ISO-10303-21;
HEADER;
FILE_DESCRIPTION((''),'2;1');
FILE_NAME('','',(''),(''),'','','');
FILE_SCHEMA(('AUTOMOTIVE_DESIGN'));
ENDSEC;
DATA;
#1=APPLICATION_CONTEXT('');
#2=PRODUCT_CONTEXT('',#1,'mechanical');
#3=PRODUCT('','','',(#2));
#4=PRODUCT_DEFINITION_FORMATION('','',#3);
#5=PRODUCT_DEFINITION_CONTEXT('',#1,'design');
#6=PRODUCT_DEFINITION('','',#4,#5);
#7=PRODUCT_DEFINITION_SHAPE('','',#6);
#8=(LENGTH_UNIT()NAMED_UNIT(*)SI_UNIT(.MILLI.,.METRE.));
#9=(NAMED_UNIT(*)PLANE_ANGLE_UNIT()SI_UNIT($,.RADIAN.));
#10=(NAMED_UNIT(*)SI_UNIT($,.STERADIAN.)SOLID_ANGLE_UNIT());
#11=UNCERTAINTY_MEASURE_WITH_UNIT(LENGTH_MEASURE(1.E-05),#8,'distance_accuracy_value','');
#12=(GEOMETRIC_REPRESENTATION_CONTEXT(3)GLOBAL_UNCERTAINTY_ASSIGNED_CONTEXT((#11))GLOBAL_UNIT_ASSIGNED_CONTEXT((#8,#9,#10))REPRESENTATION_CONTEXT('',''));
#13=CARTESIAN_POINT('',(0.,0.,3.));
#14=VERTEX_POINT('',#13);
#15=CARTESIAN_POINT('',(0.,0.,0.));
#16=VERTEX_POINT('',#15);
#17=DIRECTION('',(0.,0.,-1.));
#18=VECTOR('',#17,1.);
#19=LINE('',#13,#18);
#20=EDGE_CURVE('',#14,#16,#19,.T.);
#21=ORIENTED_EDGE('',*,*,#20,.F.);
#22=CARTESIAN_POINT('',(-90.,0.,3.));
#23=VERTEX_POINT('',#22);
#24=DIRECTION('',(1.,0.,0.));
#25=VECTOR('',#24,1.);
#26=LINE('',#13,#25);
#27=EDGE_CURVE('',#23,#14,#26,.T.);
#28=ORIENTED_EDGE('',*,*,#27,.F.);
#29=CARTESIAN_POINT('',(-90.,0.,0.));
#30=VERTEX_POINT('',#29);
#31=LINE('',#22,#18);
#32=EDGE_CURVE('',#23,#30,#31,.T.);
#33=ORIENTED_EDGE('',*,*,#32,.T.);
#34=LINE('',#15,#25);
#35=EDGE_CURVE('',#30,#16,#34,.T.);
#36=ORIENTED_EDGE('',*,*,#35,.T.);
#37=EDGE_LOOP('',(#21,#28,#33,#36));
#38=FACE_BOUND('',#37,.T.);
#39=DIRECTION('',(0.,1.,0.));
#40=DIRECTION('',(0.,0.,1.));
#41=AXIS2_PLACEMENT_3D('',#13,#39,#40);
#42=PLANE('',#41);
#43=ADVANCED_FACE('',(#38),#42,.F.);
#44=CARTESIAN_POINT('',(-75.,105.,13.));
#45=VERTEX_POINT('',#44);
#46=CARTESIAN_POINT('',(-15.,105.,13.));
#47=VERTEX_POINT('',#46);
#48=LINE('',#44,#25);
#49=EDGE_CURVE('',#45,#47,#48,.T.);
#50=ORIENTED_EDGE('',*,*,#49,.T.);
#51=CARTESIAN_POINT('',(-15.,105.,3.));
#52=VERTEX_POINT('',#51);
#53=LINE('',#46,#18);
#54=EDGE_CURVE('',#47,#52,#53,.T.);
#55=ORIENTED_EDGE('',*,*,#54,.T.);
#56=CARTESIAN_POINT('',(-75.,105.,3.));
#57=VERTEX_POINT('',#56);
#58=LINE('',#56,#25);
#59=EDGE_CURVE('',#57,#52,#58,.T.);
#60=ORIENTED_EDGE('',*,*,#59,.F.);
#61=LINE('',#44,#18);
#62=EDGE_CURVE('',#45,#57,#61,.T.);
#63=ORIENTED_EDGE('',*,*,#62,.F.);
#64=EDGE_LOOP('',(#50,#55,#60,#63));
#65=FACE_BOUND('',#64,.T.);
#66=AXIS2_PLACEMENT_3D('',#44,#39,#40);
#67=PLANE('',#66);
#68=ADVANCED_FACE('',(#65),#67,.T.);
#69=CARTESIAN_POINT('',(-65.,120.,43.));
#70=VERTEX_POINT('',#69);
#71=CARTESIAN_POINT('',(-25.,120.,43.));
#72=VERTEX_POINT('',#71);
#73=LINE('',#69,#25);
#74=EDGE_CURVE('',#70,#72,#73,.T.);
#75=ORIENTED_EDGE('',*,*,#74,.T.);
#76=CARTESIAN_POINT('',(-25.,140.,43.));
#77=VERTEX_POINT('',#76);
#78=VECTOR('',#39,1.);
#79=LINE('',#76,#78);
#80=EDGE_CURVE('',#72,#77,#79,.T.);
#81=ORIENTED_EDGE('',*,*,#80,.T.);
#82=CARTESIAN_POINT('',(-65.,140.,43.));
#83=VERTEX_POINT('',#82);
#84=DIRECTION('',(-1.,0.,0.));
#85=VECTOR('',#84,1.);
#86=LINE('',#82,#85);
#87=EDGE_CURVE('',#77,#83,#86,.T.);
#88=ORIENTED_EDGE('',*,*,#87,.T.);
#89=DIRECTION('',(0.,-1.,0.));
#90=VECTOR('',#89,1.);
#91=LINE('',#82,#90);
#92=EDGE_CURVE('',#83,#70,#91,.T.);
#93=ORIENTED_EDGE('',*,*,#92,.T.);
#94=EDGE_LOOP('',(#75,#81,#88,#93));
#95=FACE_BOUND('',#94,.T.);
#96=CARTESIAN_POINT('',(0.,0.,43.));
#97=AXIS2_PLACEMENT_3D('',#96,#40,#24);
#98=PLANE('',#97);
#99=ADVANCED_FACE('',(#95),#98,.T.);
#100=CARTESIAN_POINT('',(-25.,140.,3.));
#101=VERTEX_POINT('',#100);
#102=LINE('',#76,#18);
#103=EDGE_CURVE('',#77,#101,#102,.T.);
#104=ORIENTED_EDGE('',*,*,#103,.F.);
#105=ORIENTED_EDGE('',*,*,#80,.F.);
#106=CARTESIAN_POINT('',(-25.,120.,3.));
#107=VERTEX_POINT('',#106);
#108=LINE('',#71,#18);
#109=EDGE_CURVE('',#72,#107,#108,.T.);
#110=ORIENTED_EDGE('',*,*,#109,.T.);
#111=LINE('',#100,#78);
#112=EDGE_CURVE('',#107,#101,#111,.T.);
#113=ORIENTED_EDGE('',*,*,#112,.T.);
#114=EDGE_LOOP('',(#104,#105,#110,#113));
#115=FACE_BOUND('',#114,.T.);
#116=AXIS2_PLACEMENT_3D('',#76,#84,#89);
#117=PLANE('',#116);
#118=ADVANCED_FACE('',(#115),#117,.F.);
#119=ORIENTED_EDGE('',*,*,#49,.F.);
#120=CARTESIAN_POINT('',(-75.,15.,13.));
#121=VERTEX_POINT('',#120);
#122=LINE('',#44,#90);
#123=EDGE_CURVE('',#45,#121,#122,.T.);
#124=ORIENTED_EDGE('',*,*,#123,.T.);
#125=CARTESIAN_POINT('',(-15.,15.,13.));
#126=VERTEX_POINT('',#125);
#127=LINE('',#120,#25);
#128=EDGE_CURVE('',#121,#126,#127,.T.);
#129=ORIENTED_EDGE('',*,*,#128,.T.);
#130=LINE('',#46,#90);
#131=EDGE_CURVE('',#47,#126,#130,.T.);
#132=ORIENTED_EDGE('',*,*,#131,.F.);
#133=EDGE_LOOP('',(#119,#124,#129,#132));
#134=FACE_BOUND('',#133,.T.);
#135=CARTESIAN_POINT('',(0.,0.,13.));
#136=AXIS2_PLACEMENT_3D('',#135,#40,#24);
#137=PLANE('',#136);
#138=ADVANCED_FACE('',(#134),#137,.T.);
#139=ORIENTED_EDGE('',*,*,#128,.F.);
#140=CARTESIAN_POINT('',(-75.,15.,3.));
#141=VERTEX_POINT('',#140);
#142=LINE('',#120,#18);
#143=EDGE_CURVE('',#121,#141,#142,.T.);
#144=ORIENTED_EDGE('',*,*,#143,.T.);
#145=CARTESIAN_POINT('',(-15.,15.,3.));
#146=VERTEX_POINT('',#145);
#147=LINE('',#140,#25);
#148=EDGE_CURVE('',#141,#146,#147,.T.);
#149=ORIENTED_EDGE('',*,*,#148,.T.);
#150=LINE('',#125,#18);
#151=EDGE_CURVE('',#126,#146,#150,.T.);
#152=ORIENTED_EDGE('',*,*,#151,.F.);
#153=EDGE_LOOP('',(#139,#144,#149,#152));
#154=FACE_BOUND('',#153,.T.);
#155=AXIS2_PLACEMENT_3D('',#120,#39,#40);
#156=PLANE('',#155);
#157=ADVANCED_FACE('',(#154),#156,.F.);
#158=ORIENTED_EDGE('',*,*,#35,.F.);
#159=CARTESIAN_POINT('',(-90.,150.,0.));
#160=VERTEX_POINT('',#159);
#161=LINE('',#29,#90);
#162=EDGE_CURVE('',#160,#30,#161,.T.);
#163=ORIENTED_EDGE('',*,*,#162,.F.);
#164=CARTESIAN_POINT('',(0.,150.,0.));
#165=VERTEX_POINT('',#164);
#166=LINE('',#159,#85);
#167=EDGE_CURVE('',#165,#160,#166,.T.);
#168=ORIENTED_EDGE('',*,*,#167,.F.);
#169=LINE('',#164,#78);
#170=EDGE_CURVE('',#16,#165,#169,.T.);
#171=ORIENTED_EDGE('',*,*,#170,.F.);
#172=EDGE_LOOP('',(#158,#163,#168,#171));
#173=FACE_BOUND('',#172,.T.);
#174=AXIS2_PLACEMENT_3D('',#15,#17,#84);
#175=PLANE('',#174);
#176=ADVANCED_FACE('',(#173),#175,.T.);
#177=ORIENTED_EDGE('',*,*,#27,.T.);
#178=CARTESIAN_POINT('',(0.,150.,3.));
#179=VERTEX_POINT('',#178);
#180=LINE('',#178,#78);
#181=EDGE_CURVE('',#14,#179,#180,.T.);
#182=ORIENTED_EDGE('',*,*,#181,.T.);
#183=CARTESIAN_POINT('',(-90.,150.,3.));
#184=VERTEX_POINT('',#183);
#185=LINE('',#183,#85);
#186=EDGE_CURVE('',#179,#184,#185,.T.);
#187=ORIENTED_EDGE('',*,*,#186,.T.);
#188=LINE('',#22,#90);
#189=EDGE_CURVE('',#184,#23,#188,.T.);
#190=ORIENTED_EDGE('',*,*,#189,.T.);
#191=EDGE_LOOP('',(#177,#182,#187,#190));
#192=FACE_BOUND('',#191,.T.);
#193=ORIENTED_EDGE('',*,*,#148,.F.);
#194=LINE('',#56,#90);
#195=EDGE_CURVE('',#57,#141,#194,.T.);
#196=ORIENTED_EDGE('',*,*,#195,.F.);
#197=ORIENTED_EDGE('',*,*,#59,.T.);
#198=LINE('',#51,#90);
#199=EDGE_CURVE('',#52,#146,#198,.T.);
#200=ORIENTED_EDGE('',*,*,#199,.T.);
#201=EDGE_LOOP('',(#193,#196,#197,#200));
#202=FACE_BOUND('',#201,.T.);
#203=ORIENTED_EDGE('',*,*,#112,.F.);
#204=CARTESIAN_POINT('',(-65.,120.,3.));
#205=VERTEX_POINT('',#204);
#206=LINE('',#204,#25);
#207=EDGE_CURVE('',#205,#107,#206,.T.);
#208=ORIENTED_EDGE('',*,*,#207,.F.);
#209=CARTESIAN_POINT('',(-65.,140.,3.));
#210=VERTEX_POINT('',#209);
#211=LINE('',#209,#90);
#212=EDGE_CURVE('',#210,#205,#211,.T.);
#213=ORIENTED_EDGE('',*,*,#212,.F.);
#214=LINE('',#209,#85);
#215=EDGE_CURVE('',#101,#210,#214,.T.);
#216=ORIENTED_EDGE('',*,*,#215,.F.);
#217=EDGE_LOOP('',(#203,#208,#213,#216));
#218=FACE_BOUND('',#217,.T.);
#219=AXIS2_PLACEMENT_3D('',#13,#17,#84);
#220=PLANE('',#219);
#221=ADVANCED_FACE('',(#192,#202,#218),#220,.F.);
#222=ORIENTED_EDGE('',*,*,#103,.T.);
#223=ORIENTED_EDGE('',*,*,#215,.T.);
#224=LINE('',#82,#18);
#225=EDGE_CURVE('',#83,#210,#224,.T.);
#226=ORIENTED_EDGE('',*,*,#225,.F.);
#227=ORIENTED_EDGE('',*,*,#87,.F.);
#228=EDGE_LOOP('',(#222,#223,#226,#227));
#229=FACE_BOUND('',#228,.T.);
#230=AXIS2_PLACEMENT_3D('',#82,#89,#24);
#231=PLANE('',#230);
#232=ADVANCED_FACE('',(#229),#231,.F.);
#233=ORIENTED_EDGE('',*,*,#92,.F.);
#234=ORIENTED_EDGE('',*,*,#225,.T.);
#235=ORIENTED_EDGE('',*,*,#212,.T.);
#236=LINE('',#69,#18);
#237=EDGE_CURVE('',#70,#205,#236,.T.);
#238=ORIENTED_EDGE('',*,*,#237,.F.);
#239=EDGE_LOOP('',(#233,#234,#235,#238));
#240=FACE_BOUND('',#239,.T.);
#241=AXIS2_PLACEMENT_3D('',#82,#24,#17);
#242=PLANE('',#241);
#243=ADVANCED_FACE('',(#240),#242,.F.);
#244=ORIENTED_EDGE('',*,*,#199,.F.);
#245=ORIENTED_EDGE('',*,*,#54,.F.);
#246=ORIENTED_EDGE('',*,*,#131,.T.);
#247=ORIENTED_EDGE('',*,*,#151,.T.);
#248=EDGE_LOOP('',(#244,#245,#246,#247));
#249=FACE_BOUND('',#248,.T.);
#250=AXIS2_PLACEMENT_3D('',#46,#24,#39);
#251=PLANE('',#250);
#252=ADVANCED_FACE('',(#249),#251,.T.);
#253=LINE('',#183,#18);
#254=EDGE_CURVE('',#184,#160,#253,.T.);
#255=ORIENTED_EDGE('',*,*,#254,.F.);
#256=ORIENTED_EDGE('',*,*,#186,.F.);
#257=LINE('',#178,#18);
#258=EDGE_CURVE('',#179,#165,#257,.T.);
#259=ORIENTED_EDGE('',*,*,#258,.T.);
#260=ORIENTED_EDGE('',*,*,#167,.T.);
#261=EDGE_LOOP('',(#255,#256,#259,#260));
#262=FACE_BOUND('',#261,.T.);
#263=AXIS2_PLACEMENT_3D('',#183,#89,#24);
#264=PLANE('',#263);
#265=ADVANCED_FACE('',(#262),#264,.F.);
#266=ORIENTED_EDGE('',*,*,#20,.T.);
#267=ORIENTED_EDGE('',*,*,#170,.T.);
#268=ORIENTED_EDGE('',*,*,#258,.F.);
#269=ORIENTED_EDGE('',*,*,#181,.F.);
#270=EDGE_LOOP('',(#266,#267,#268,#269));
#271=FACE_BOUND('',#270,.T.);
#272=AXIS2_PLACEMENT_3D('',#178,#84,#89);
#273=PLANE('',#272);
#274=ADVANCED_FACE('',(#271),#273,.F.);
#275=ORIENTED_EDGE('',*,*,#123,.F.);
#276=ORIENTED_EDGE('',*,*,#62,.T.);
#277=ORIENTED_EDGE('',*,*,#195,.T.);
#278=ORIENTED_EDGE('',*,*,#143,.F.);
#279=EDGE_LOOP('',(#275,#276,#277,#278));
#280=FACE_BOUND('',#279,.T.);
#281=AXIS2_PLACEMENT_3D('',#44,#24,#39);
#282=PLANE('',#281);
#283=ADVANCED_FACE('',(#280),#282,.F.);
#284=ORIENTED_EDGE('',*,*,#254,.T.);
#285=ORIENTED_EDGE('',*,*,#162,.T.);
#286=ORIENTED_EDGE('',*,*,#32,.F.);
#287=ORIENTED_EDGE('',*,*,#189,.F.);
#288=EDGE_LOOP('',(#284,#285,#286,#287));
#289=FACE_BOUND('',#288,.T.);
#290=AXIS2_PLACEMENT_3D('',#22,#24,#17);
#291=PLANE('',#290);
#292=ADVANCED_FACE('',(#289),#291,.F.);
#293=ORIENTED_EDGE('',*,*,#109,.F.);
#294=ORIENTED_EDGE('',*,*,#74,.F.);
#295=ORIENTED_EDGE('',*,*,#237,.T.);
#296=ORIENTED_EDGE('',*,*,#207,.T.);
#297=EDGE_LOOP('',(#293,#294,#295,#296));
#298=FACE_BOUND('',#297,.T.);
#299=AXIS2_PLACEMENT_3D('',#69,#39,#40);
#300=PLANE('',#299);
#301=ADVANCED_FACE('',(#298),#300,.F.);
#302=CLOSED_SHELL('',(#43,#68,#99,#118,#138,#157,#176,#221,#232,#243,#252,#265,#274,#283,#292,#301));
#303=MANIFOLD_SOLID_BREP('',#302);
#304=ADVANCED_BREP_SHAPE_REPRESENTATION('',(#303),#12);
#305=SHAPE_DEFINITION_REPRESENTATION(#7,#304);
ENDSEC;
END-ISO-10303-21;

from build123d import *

# Parameters (mm, degrees)
SKETCH2_W           = 150
SKETCH2_H           = 90
BOSS_EXTRUDE1_DEPTH = 3
SKETCH3_W           = 60
SKETCH3_H           = 90
BOSS_EXTRUDE2_DEPTH = 10
SKETCH4_W           = 40
SKETCH4_H           = 20
BOSS_EXTRUDE3_DEPTH = 40


with BuildPart() as part:
    # Sketch2 → Boss-Extrude1 (new body)
    with BuildSketch(Plane(origin=(0, 0, 0), x_dir=(0, 1, 0), z_dir=(0, 0, 1))):
        with Locations((75, 45)):
            Rectangle(SKETCH2_W, SKETCH2_H)
    extrude(amount=BOSS_EXTRUDE1_DEPTH)

    # Sketch3 → Boss-Extrude2 (add)
    with BuildSketch(Plane.XY.offset(3)):
        with Locations((-45, 60)):
            Rectangle(SKETCH3_W, SKETCH3_H)
    extrude(amount=BOSS_EXTRUDE2_DEPTH)

    # Sketch4 → Boss-Extrude3 (add)
    with BuildSketch(Plane.XY.offset(3)):
        with Locations((-45, 130)):
            Rectangle(SKETCH4_W, SKETCH4_H)
    extrude(amount=BOSS_EXTRUDE3_DEPTH)


solid = part.part
